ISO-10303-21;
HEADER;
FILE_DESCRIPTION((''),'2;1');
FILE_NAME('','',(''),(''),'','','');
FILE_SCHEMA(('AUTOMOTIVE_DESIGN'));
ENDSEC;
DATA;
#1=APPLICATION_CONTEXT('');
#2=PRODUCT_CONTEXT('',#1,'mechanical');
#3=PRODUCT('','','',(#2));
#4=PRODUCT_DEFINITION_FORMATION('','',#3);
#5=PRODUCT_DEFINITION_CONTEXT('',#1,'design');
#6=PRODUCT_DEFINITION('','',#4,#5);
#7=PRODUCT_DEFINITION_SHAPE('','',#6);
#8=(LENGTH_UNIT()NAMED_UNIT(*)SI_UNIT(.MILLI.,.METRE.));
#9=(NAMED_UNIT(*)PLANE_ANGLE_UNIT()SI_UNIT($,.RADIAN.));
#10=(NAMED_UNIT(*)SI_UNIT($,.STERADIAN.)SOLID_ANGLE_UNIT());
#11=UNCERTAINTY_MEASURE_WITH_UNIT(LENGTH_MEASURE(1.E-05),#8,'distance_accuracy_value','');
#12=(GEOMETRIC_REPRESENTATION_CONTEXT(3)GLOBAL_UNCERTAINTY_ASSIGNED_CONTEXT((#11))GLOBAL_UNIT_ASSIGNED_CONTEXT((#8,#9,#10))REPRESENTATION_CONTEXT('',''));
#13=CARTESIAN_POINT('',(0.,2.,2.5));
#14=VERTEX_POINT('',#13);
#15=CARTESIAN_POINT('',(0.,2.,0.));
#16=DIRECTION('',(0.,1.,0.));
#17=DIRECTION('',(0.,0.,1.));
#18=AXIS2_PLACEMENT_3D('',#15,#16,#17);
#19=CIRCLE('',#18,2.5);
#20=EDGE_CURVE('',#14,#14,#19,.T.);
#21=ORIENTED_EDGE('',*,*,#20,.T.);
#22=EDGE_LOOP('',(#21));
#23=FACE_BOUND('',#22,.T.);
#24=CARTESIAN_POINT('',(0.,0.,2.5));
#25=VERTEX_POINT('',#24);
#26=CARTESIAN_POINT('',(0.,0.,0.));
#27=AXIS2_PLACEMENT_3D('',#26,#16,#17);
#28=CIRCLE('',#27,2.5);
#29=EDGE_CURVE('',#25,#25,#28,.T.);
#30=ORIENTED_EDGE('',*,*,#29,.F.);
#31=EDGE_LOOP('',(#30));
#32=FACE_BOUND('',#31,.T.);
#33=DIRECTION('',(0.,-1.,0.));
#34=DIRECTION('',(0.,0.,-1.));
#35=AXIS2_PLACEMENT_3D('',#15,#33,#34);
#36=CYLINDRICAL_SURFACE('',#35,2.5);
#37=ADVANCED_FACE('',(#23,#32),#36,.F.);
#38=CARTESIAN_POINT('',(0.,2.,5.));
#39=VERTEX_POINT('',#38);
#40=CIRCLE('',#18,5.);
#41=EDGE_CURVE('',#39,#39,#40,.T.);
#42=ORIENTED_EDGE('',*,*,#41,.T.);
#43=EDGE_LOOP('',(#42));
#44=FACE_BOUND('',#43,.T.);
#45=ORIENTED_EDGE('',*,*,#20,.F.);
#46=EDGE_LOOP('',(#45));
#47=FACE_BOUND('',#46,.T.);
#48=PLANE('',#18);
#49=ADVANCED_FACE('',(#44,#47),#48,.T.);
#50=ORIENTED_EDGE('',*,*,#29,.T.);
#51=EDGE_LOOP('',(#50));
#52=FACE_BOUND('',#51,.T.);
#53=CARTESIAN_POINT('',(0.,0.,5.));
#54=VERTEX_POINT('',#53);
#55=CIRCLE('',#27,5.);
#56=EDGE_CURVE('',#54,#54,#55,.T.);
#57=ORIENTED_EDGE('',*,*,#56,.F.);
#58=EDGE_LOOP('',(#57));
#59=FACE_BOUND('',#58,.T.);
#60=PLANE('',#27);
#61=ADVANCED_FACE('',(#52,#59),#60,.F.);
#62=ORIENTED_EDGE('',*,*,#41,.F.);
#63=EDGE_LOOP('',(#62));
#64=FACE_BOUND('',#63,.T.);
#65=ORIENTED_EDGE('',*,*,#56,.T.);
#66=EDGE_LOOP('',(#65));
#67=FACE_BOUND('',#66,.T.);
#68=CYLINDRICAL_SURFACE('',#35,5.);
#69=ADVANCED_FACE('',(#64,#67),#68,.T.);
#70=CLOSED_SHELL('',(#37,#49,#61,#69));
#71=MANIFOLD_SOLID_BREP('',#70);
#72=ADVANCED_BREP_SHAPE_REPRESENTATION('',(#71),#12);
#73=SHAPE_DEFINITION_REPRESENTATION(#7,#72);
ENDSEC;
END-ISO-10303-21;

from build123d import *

# Parameters (mm, degrees)
CROQUIS1_R              = 5
CROQUIS1_R_2            = 2.5
SALIENTE_EXTRUIR1_DEPTH = 2


with BuildPart() as part:
    # Croquis1 → Saliente-Extruir1 (new body)
    with BuildSketch(Plane(origin=(0, 0, 0), x_dir=(1, 0, 0), z_dir=(0, 1, 0))):
        Circle(CROQUIS1_R)
        Circle(CROQUIS1_R_2, mode=Mode.SUBTRACT)
    extrude(amount=SALIENTE_EXTRUIR1_DEPTH)


solid = part.part
